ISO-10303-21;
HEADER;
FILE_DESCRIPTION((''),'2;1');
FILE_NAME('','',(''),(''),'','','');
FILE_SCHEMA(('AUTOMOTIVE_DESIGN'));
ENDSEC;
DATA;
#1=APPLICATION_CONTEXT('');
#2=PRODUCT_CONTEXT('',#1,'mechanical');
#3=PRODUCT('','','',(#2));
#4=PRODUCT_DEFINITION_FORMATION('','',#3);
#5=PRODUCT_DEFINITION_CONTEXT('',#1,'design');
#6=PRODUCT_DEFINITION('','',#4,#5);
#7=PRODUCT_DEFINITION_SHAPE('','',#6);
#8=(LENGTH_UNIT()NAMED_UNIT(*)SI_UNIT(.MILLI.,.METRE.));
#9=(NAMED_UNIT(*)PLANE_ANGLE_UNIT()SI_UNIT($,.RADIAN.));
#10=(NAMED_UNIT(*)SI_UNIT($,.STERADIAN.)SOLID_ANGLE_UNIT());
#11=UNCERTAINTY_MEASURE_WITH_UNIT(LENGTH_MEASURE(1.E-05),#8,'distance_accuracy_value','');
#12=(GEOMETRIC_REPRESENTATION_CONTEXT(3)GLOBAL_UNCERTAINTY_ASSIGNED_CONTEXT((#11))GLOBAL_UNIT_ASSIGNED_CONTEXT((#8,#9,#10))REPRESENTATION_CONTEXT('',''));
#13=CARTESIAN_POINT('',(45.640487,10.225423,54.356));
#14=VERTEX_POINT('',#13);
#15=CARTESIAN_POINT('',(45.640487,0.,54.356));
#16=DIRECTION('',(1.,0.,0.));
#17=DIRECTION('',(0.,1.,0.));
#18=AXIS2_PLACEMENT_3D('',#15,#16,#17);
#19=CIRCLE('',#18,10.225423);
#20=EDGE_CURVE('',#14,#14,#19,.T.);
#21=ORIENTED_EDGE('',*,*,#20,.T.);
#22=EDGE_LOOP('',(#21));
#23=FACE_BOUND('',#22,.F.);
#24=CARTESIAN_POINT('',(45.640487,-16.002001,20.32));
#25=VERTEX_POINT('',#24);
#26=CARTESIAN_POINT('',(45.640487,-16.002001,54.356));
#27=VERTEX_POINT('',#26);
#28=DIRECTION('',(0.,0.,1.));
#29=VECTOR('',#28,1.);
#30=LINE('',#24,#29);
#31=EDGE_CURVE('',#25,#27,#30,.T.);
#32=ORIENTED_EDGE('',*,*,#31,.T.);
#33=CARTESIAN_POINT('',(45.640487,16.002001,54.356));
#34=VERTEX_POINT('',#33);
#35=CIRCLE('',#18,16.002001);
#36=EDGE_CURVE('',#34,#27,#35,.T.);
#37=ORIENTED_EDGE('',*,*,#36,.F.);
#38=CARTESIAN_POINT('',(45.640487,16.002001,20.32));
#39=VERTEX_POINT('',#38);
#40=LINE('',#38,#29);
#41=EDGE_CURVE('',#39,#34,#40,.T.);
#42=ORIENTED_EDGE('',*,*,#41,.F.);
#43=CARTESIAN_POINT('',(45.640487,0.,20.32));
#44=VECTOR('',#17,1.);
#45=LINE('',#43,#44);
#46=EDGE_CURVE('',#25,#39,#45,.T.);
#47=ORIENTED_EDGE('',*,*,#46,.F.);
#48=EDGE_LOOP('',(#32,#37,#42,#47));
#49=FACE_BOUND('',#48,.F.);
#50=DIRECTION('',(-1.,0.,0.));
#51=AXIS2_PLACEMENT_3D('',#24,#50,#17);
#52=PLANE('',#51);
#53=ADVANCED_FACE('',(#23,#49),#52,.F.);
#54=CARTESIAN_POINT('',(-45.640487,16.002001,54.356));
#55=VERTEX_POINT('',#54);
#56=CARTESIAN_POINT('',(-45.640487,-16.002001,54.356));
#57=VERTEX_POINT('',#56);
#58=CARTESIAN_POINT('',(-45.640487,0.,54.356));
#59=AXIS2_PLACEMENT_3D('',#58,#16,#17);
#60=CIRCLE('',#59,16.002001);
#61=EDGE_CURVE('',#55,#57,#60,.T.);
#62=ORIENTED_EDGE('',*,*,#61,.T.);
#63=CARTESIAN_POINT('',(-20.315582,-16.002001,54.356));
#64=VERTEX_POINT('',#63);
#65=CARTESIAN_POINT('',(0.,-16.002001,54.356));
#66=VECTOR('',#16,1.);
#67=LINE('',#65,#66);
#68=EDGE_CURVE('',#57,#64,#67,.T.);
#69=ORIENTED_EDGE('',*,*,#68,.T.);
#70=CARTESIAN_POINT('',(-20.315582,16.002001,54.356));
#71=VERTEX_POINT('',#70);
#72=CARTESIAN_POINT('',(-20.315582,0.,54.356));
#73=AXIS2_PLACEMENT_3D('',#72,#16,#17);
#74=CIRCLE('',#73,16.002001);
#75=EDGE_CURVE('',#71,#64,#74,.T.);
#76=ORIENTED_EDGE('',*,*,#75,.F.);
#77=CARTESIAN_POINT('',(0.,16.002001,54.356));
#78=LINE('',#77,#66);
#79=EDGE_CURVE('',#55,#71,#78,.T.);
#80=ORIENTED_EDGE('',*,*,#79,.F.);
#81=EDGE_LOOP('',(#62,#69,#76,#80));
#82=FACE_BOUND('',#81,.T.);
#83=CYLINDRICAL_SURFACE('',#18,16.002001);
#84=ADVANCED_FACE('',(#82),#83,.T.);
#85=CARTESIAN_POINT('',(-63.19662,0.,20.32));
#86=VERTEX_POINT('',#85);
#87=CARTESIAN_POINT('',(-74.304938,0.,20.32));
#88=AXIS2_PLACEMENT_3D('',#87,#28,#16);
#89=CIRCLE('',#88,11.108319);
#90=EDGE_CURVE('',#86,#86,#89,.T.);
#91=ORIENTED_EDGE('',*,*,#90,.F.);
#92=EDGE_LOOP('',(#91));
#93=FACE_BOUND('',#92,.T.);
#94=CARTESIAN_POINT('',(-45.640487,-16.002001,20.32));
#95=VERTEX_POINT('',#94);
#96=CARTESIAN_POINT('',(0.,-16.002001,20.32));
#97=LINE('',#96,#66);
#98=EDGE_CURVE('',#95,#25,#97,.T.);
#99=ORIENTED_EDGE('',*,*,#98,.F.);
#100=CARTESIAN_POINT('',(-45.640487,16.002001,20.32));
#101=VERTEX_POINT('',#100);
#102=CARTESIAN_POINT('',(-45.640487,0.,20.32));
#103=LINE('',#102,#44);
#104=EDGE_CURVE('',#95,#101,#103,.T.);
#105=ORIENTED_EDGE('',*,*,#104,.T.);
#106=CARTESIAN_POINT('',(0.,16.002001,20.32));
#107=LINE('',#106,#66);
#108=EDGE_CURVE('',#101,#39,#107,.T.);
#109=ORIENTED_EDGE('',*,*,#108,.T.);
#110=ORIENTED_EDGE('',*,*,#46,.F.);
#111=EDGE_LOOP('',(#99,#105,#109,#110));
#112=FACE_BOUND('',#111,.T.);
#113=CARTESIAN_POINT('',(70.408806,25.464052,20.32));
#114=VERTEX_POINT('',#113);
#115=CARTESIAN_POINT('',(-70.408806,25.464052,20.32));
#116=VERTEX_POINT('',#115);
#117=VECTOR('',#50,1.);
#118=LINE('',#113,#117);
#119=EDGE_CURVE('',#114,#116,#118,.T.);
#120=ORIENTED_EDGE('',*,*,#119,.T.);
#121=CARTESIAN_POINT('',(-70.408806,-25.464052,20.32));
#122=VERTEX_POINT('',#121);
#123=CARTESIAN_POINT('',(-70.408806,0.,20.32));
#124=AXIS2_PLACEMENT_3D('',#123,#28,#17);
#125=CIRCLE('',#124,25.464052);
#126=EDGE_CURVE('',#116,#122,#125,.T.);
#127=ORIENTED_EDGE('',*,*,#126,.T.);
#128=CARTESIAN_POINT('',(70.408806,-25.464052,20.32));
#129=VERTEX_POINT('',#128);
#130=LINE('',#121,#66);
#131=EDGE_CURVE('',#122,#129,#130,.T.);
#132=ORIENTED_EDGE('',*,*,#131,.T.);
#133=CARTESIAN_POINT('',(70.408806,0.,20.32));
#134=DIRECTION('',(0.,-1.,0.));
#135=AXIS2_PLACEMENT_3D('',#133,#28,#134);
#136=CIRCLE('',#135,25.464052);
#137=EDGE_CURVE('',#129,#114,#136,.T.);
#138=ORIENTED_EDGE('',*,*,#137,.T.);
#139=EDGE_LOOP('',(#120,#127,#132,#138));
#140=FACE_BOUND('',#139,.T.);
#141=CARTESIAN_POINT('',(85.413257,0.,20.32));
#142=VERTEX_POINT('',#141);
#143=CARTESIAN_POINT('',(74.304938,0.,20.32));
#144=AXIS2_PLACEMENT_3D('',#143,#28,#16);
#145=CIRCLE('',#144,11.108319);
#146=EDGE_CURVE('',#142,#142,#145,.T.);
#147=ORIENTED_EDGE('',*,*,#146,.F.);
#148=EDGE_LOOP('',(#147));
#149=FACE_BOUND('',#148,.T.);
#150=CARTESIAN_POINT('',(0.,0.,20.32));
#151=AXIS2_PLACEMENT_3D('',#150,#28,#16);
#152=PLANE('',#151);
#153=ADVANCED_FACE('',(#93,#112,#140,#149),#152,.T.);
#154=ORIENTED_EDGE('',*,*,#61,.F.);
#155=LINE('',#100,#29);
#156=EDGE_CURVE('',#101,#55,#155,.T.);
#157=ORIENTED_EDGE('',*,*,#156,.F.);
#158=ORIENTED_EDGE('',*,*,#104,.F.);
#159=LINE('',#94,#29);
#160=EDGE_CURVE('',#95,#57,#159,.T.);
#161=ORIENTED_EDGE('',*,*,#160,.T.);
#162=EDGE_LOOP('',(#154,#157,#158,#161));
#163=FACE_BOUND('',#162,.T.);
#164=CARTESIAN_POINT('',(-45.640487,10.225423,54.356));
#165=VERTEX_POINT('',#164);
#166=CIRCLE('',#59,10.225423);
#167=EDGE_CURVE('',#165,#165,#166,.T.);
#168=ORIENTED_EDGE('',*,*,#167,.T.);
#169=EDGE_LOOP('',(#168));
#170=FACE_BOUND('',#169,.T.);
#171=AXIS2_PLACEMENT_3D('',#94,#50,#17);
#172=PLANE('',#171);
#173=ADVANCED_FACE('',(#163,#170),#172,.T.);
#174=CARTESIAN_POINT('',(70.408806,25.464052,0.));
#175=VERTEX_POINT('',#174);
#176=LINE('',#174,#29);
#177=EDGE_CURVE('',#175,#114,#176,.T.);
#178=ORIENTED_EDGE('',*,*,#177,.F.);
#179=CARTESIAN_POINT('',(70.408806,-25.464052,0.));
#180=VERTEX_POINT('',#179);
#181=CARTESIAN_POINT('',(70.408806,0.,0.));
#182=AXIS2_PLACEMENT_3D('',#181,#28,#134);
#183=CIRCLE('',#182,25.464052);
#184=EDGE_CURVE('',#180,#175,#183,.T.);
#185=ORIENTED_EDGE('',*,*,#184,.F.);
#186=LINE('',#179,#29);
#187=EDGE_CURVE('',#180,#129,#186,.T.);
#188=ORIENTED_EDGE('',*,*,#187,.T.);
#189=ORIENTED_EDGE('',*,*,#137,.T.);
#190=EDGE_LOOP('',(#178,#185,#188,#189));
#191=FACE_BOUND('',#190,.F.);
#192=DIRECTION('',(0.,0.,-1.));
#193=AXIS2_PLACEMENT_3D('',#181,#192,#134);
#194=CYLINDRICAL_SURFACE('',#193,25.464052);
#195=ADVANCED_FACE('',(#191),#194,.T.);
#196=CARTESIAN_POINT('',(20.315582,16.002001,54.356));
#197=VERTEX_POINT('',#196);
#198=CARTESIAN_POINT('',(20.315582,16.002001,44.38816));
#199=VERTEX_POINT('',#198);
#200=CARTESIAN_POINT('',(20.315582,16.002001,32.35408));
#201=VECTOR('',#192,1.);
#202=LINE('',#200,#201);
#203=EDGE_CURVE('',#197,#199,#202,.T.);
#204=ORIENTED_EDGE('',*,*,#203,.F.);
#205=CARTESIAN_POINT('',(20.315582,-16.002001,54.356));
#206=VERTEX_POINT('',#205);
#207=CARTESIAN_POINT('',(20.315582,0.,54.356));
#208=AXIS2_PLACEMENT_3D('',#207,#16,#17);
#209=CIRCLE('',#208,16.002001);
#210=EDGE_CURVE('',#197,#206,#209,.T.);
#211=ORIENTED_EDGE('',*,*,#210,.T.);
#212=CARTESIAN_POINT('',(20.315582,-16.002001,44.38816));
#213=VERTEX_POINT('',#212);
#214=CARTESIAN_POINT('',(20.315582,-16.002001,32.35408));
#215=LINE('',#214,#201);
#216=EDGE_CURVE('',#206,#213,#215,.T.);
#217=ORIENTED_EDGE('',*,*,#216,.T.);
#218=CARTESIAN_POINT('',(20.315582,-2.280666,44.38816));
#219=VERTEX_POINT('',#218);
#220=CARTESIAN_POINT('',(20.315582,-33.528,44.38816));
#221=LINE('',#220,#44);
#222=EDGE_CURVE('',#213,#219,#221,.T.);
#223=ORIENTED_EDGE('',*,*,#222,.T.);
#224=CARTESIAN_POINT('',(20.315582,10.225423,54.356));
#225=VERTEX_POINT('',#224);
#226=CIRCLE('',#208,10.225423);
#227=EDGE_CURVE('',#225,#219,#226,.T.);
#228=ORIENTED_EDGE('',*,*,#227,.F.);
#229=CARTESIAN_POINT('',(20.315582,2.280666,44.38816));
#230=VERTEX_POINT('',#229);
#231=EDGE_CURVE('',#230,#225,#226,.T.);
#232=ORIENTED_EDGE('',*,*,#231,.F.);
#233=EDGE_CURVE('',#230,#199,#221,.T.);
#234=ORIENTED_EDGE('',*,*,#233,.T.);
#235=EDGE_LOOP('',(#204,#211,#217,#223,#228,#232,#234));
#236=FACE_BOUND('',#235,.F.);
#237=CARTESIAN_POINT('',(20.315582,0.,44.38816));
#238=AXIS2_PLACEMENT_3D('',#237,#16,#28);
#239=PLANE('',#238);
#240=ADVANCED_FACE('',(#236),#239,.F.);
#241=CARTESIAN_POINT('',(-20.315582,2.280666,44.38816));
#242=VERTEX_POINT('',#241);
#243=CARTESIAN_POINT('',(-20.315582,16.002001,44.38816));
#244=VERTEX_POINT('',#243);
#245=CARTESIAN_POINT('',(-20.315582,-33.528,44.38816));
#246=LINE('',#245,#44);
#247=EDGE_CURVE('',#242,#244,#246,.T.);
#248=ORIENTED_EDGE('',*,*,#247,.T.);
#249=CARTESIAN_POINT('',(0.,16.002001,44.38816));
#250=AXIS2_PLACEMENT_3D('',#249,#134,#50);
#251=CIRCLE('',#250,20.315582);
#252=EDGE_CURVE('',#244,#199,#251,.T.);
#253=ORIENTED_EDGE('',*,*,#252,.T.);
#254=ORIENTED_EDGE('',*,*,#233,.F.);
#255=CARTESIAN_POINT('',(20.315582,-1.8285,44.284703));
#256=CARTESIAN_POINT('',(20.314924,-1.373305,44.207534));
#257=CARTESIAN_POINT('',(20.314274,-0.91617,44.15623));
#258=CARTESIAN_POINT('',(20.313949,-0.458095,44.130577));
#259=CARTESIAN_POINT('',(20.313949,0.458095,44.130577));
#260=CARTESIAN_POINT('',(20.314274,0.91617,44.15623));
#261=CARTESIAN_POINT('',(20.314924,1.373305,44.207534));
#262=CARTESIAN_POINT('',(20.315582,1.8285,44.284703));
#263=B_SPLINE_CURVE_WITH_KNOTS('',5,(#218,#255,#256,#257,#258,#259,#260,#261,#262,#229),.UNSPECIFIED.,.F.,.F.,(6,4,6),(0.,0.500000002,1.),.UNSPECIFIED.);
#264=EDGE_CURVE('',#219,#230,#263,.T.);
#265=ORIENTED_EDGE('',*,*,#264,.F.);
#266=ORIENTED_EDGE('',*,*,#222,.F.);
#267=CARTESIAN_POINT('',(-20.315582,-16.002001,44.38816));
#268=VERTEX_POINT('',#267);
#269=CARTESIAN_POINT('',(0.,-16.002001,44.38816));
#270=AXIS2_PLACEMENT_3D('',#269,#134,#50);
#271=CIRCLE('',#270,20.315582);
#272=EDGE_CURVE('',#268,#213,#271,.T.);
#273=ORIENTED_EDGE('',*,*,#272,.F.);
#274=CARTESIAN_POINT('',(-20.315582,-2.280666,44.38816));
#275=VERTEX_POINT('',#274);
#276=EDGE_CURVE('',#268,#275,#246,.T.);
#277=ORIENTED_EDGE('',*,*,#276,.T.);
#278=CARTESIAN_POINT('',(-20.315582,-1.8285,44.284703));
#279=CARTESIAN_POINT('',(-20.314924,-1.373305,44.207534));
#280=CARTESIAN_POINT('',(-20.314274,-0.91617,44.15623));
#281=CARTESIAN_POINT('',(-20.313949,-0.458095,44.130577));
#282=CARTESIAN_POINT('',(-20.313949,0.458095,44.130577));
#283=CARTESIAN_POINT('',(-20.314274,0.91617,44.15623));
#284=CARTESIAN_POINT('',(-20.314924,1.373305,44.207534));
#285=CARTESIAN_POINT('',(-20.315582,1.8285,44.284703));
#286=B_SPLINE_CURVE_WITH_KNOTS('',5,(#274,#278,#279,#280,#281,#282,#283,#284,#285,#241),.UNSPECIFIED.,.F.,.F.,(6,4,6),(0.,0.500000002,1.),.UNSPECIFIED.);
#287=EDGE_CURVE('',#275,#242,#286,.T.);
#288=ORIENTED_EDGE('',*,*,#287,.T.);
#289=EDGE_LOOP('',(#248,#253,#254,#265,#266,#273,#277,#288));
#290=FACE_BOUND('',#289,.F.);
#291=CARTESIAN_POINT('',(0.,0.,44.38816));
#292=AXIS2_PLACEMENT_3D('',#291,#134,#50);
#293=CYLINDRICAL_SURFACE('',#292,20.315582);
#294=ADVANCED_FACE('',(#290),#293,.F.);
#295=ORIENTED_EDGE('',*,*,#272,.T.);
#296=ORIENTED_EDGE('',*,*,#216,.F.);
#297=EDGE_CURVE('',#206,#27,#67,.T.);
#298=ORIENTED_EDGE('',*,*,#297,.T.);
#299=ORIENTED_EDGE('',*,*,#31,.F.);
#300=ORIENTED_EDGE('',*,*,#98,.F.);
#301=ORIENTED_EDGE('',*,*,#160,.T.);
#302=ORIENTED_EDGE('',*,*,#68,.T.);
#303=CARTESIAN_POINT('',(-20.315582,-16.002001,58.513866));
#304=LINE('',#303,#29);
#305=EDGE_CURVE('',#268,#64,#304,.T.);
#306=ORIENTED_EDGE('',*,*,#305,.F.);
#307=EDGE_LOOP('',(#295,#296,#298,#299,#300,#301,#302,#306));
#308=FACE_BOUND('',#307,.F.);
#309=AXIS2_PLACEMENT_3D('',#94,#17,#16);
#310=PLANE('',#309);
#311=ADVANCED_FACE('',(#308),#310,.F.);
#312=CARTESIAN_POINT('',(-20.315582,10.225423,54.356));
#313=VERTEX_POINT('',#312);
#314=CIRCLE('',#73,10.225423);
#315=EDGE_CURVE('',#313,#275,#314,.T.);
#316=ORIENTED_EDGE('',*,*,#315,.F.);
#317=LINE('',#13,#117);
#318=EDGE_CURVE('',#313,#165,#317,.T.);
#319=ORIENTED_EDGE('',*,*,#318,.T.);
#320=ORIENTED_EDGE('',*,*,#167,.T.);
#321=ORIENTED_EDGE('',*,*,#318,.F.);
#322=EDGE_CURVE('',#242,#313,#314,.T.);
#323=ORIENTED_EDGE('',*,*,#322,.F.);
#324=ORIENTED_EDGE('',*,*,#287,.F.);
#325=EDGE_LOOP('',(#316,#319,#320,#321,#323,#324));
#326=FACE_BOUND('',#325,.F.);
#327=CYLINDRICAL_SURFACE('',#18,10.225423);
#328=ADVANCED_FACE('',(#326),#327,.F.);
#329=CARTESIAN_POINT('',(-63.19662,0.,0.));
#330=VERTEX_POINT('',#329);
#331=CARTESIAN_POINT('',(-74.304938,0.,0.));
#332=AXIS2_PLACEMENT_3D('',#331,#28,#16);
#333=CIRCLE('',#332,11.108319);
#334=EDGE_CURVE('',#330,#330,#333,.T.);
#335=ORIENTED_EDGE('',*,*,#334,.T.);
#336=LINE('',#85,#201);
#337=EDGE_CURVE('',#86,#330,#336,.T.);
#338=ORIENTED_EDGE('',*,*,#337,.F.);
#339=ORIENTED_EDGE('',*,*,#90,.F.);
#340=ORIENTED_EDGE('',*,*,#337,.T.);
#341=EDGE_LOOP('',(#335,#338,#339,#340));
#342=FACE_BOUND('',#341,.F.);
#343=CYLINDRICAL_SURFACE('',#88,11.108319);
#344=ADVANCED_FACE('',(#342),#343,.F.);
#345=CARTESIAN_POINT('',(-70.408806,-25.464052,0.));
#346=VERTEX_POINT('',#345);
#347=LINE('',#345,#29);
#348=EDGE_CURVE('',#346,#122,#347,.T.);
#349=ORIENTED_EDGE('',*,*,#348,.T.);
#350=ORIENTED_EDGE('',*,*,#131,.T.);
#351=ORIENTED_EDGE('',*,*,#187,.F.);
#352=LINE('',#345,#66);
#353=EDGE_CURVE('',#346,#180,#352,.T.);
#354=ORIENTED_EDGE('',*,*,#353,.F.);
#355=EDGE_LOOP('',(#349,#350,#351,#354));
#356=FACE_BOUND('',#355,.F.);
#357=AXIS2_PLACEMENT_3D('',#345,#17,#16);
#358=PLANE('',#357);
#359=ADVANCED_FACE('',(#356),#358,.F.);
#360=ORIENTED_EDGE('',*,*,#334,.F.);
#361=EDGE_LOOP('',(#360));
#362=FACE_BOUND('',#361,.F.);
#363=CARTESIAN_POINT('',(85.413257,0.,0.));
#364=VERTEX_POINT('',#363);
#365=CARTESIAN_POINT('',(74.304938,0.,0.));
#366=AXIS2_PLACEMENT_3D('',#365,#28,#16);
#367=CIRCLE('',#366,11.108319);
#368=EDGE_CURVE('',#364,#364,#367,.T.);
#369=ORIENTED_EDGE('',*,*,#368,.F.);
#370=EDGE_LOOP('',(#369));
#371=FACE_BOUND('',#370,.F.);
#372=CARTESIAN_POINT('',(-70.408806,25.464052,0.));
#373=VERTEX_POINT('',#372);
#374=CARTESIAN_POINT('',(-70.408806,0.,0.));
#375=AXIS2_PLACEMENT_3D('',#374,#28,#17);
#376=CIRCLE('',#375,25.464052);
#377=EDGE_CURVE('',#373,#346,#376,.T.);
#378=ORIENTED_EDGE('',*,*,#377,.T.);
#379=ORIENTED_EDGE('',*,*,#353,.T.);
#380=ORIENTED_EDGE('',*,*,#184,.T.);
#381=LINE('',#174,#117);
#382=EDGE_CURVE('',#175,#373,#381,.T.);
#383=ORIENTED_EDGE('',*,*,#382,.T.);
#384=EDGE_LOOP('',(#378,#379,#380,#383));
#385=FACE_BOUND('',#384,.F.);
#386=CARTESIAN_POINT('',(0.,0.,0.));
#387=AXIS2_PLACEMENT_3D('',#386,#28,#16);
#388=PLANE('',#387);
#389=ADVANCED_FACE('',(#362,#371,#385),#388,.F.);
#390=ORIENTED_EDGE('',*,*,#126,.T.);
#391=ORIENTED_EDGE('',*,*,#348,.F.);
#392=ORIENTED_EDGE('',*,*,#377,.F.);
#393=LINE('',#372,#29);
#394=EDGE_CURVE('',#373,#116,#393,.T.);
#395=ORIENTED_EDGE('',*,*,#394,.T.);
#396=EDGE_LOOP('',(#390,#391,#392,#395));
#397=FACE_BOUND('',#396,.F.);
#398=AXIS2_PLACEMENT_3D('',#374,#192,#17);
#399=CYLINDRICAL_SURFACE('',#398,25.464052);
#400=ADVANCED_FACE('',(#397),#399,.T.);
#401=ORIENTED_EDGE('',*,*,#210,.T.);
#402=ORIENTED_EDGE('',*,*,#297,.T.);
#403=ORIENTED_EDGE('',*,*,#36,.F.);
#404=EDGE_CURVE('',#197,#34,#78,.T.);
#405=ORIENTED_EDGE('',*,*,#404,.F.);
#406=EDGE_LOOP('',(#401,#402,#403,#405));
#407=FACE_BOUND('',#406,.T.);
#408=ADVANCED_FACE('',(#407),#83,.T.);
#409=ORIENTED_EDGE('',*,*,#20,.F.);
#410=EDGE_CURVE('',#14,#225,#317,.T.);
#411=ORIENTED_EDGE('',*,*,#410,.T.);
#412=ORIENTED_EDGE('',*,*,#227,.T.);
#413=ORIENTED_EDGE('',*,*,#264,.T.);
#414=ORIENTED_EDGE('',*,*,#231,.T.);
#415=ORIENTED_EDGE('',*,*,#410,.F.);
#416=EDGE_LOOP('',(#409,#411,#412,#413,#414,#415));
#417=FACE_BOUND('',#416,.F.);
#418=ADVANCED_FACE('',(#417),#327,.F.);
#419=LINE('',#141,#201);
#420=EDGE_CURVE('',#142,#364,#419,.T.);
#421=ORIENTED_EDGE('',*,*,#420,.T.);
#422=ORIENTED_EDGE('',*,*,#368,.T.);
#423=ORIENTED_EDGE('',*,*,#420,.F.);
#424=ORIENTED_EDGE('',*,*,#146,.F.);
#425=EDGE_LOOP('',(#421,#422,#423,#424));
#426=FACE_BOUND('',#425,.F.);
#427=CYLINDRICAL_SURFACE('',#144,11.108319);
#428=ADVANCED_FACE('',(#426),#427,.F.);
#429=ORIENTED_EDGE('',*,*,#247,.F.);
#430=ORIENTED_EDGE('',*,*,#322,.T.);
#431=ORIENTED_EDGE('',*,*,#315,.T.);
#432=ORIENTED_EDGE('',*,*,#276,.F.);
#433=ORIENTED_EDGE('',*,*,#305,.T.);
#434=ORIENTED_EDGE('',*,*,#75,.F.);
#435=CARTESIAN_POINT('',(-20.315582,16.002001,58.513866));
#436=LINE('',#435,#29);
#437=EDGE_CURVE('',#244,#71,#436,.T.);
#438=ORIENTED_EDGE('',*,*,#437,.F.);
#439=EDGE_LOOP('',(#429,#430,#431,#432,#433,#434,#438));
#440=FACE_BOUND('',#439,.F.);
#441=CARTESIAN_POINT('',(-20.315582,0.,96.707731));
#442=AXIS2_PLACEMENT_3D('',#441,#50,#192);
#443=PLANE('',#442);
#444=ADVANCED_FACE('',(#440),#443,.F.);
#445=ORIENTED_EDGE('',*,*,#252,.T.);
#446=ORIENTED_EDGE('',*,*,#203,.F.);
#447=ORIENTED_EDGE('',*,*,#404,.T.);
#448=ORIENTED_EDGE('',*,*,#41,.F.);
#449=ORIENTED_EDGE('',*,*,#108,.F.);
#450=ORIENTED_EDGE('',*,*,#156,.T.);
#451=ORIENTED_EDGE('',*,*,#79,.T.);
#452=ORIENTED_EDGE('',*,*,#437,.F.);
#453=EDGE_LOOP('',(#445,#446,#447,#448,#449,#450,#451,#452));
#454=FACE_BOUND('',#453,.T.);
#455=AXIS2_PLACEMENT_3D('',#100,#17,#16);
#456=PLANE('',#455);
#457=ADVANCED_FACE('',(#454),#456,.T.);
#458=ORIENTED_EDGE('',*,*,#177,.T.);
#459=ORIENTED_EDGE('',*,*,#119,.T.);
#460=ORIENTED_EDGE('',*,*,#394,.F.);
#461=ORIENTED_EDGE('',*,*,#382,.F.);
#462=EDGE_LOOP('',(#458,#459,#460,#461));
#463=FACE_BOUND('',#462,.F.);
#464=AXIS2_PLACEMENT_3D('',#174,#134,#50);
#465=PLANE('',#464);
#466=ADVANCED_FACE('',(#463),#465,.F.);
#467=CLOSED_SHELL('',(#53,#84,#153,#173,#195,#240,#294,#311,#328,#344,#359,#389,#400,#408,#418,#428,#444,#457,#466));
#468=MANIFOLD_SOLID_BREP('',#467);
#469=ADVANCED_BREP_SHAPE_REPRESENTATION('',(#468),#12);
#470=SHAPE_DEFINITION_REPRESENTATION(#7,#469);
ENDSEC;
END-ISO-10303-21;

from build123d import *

# Parameters (mm, degrees)
F1_DEPTH  = 20.32
F2_R      = 11.1083186408
F3_DEPTH  = 25.4
F4_W      = 91.2809744477
F4_H      = 32.0040024817
F5_DEPTH  = 34.036
F6_R      = 16.0020012408
F7_DEPTH  = 91.2809744477
F9_DEPTH  = 33.528
F10_R     = 10.2254227484
F11_DEPTH = 105.41


with BuildPart() as f1:
    # F0 (on Top) → F1 (new body)
    with BuildSketch(Plane.XY):
        with BuildLine():
            ThreePointArc((70.4088062048, -25.4640523344), (95.8728585392, 0), (70.4088062048, 25.4640523344))
            Line((70.4088062048, 25.4640523344), (-70.4088062048, 25.4640523344))
            ThreePointArc((-70.4088062048, 25.4640523344), (-95.8728585392, 0), (-70.4088062048, -25.4640523344))
            Line((-70.4088062048, -25.4640523344), (70.4088062048, -25.4640523344))
        make_face()
    extrude(amount=F1_DEPTH)

    # F2 (on face) → F3 (cut)
    with BuildSketch(Plane.XY.offset(20.32)):
        with Locations((74.3049383163, 0)):
            Circle(F2_R)
        with Locations((-74.3049383163, 0)):
            Circle(F2_R)
    extrude(amount=-F3_DEPTH, mode=Mode.SUBTRACT)

    # F4 (on face) → F5 (join)
    with BuildSketch(Plane.XY.offset(20.32)):
        Rectangle(F4_W, F4_H)
    extrude(amount=F5_DEPTH)

    # F6 (on face) → F7 (join, through all)
    with BuildSketch(Plane.YZ.offset(45.6404872239)):
        with Locations((0, 54.356)):
            Circle(F6_R)
    extrude(amount=-F7_DEPTH)

    # F8 (on Front) → F9 (cut, symmetric)
    with BuildSketch(Plane.XZ):
        with BuildLine():
            Line((20.3155819327, 44.3881601095), (20.3155819327, 96.7077314854))
            Line((20.3155819327, 96.7077314854), (-20.3155819327, 96.7077314854))
            Line((-20.3155819327, 96.7077314854), (-20.3155819327, 44.3881601095))
            ThreePointArc((-20.3155819327, 44.3881601095), (0, 24.0725781769), (20.3155819327, 44.3881601095))
        make_face()
    extrude(amount=F9_DEPTH, both=True, mode=Mode.SUBTRACT)

    # F10 (on face) → F11 (cut)
    with BuildSketch(Plane.YZ.offset(45.6404872239)):
        with Locations((0, 54.356)):
            Circle(F10_R)
    extrude(amount=-F11_DEPTH, mode=Mode.SUBTRACT)


solid = f1.part
